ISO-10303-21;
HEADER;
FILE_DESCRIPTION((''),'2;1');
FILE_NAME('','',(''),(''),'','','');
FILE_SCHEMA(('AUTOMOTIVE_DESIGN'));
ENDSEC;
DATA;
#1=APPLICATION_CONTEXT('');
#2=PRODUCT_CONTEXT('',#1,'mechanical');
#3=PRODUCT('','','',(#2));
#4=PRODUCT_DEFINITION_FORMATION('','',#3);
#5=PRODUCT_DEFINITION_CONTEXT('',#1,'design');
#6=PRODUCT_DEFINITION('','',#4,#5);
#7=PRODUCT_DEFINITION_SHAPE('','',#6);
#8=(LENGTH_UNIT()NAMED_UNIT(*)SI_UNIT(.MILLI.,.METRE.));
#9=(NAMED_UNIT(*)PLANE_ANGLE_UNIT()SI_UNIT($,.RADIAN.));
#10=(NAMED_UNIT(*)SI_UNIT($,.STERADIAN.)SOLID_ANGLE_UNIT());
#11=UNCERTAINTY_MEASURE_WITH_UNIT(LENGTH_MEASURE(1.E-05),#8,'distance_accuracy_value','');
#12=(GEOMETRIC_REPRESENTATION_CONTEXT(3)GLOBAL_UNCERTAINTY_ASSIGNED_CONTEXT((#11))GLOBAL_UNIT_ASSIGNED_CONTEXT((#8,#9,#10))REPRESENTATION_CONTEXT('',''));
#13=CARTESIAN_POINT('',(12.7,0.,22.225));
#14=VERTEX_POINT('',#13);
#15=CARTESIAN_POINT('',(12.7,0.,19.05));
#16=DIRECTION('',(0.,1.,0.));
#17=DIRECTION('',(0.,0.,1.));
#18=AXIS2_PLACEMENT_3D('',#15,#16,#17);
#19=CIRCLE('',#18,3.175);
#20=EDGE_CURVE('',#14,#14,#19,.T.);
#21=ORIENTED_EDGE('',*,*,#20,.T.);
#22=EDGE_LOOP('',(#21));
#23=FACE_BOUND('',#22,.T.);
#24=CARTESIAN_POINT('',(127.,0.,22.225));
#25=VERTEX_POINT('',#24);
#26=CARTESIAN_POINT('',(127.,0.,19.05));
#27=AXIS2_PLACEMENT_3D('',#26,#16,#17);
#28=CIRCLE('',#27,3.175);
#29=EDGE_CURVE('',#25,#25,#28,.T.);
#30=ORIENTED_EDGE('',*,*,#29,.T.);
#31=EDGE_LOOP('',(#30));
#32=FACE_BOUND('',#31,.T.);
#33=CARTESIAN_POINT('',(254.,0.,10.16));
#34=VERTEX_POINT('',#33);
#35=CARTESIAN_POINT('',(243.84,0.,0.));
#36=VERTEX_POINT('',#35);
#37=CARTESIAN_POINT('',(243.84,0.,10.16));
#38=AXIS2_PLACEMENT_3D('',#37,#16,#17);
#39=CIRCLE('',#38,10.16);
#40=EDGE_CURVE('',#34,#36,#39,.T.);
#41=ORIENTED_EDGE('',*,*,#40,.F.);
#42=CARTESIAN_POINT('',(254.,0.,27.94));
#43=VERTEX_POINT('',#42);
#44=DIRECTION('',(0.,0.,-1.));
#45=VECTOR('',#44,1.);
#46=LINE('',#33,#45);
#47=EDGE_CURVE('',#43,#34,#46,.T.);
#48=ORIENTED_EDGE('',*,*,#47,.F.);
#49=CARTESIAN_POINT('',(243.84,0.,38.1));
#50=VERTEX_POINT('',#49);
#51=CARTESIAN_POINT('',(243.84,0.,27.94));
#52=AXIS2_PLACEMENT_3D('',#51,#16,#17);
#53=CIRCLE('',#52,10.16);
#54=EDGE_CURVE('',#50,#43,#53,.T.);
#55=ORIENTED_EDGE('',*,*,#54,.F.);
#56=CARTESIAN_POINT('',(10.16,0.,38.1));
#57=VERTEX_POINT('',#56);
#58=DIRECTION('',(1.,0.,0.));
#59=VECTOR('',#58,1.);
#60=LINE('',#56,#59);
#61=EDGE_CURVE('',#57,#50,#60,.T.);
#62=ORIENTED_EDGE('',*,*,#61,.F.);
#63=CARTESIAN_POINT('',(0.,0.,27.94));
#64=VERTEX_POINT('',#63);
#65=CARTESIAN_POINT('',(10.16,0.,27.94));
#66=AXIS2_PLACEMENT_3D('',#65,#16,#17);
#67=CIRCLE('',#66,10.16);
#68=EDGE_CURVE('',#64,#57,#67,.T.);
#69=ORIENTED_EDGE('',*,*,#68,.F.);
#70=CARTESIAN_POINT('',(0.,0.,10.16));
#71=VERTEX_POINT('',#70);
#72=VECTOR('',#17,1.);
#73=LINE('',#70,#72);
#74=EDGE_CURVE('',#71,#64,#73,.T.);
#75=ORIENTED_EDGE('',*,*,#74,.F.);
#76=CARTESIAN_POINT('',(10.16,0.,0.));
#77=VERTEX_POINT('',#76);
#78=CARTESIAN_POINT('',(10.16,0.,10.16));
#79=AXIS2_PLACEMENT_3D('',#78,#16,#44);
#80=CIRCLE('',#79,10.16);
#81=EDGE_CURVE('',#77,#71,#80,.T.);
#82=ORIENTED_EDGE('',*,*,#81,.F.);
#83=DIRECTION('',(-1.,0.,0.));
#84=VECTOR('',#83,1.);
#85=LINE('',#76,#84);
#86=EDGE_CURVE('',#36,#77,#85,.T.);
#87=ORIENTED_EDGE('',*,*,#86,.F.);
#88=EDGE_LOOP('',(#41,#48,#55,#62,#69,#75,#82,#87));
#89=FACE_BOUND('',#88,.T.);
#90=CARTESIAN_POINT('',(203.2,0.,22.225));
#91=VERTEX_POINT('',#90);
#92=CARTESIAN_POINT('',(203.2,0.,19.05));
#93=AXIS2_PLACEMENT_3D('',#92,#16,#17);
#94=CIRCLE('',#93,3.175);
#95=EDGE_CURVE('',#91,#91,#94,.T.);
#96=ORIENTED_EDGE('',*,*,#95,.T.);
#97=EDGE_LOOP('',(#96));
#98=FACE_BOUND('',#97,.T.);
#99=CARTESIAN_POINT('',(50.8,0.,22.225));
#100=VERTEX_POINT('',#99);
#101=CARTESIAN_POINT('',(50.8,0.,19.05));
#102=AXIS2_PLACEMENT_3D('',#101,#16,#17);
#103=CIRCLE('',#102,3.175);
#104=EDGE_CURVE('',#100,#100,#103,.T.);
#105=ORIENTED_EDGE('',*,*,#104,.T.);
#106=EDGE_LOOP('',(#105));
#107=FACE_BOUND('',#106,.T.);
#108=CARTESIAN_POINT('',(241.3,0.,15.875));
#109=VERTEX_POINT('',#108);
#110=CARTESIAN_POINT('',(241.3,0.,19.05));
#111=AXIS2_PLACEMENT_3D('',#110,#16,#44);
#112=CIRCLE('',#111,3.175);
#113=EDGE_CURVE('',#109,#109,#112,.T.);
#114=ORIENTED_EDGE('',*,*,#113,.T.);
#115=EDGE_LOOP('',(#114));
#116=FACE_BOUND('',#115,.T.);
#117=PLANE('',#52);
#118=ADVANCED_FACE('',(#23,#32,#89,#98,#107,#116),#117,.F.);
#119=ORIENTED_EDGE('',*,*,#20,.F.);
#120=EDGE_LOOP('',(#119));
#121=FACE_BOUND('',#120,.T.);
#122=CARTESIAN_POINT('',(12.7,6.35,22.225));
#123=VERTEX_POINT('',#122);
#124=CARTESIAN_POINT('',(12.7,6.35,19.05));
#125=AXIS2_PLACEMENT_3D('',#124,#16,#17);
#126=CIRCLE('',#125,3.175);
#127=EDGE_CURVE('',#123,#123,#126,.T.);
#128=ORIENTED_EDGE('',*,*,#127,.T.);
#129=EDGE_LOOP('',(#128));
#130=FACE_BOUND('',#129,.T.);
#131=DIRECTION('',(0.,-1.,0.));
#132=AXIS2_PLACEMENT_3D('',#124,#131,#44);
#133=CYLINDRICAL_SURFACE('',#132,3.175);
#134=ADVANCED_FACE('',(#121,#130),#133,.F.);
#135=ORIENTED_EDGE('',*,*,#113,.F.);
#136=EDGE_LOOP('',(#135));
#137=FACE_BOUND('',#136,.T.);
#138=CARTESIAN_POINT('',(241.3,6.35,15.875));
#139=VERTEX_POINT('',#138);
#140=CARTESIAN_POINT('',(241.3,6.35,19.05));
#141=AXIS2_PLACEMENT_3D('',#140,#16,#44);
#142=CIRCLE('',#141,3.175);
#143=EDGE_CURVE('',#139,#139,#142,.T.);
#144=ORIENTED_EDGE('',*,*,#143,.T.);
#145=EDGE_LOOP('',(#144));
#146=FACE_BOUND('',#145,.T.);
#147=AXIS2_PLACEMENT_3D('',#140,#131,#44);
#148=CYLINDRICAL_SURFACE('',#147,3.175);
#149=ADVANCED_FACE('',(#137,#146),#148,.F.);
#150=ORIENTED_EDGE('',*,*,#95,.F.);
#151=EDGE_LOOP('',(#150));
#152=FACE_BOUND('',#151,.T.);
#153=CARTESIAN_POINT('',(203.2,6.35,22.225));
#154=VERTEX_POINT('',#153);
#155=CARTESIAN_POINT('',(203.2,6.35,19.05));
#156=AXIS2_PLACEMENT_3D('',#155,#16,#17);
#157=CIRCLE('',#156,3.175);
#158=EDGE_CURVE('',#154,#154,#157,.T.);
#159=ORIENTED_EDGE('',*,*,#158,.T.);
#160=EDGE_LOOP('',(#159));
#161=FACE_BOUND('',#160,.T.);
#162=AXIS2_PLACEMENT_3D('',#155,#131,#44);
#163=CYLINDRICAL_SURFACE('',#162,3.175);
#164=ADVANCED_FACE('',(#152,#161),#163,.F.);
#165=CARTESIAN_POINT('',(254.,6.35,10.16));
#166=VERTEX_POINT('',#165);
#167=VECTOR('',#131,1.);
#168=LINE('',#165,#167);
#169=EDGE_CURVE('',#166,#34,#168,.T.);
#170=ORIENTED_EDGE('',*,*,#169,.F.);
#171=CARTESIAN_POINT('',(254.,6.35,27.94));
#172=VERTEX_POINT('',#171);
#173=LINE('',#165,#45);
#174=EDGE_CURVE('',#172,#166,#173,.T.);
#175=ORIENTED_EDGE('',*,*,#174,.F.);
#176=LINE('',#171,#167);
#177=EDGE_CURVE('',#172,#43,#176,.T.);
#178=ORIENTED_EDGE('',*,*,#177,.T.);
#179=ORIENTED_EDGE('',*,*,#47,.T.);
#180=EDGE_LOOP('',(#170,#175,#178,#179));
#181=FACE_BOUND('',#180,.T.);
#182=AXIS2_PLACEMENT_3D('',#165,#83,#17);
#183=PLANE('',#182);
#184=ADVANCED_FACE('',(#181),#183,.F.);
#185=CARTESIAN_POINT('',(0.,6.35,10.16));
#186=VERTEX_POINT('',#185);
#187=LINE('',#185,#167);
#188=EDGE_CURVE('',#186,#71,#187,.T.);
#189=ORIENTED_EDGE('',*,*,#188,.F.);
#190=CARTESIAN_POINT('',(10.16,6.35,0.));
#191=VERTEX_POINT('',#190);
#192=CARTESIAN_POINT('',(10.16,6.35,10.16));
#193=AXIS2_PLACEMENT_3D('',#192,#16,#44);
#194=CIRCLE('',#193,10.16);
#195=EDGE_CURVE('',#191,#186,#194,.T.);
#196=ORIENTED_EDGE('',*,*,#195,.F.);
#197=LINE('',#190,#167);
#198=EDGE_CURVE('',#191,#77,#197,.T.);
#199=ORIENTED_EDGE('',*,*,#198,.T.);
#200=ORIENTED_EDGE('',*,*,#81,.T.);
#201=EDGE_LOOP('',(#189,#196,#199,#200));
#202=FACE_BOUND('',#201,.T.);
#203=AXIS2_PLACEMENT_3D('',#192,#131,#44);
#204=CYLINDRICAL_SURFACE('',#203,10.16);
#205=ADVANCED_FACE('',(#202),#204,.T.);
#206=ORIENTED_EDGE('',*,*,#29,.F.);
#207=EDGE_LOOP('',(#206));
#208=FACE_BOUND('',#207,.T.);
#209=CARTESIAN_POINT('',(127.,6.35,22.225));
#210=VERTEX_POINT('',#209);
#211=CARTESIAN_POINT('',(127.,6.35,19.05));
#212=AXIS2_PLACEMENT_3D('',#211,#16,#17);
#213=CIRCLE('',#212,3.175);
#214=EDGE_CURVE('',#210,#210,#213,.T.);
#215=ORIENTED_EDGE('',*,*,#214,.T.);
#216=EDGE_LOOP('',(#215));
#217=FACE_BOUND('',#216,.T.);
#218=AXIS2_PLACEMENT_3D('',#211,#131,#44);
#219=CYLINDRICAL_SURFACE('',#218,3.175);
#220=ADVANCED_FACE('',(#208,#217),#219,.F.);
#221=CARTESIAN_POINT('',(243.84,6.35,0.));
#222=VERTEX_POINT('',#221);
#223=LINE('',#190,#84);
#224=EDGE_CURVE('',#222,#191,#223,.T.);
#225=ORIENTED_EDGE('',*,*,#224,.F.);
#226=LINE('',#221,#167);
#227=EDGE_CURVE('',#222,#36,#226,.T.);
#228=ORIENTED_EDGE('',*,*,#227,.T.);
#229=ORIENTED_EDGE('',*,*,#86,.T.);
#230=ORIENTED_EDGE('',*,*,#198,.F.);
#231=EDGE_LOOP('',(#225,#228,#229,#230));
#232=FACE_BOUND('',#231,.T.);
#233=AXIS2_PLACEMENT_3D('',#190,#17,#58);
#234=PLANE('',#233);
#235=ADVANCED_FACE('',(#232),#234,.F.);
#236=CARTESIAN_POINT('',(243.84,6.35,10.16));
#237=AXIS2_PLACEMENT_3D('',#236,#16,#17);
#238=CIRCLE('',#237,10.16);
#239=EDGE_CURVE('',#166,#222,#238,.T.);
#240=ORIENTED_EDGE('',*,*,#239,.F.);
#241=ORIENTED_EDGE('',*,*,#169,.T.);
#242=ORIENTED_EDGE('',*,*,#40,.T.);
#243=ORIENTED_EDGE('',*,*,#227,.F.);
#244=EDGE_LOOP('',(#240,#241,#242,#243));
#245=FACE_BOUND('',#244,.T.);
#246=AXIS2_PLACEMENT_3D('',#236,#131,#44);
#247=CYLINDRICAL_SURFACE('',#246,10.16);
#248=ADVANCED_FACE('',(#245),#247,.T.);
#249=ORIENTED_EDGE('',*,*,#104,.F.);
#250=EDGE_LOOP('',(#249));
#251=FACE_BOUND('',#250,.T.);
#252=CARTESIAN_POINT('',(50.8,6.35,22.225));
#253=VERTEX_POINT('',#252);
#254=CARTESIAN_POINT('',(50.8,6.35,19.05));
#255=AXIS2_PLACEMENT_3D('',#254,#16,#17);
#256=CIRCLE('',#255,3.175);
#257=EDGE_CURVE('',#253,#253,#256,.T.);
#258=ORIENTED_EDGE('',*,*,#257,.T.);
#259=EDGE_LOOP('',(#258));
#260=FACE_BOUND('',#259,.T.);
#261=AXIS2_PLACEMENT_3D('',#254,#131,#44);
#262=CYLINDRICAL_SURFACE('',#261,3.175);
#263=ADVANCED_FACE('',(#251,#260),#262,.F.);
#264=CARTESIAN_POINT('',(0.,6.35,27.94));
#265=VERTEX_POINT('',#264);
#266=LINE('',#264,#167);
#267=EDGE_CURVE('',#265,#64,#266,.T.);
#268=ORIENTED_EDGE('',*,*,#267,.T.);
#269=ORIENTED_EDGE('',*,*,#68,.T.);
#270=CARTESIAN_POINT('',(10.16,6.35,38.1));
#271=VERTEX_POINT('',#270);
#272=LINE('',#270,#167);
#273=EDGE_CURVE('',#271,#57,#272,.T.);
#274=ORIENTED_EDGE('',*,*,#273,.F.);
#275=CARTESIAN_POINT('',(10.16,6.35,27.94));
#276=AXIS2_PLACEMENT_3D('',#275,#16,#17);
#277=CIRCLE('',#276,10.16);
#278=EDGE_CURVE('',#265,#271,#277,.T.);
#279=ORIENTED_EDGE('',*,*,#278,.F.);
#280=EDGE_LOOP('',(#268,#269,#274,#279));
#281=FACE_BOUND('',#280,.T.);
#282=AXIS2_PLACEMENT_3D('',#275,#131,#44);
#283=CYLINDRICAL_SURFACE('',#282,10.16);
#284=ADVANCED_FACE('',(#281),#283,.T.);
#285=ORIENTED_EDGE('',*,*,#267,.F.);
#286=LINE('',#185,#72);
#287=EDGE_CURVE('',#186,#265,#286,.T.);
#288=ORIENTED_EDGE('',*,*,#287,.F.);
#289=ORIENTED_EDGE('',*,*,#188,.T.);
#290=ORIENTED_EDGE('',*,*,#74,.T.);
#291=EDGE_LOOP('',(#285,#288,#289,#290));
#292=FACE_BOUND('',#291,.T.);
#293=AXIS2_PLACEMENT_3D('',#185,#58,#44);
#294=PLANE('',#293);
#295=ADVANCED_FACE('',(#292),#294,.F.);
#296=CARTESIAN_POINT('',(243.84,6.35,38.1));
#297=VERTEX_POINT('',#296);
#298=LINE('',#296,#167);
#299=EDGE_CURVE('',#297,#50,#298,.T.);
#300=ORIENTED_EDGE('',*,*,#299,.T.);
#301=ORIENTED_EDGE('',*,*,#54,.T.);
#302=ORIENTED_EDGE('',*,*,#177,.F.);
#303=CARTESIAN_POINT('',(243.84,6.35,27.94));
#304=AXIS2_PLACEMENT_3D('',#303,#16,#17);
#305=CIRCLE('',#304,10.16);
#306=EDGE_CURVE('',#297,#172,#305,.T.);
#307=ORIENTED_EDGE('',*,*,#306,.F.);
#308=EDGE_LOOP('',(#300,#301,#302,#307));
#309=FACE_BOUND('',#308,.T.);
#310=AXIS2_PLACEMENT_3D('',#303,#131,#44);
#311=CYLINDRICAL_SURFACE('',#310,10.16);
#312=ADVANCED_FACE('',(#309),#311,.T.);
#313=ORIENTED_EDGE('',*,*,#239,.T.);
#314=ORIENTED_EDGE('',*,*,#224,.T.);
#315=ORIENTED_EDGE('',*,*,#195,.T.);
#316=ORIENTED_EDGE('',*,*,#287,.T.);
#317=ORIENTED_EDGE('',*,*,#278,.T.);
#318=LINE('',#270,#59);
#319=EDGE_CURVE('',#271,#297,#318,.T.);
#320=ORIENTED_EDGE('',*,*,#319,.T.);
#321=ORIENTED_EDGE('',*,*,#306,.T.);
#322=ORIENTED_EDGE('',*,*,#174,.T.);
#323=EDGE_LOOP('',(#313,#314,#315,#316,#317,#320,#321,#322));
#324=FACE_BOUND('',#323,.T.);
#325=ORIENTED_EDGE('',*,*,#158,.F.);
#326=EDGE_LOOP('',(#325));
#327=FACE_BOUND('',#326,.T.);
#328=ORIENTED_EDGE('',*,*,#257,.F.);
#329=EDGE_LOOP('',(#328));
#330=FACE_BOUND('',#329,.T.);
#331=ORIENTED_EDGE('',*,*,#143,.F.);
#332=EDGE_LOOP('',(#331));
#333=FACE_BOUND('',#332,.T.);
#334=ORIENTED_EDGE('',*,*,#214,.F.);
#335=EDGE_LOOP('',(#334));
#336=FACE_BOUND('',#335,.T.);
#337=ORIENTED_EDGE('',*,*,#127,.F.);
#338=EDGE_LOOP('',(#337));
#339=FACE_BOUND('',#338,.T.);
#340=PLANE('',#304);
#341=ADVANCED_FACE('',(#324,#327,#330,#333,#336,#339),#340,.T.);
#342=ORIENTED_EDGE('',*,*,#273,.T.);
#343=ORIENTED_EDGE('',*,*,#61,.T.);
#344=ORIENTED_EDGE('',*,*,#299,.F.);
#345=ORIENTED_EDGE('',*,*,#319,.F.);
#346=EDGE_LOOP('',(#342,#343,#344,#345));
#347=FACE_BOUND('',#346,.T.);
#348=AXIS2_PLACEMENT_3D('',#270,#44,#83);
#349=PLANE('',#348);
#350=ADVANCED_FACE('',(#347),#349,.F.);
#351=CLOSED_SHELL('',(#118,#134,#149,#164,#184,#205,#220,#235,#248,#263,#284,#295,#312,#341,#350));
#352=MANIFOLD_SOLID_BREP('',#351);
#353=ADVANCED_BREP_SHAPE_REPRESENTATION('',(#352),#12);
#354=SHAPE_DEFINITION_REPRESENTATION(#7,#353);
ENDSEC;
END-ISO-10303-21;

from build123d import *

# Parameters (mm, degrees)
SKETCH2_R           = 3.175
BOSS_EXTRUDE1_DEPTH = 6.35


with BuildPart() as part:
    # Sketch2 → Boss-Extrude1 (new body)
    with BuildSketch(Plane(origin=(0, 0, 0), x_dir=(1, 0, 0), z_dir=(0, 1, 0))):
        with BuildLine():
            Line((10.16, 0), (243.84, 0))
            ThreePointArc((243.84, 0), (251.024204897, -2.975795103), (254, -10.16))
            Line((254, -10.16), (254, -27.94))
            ThreePointArc((254, -27.94), (251.024204897, -35.124204897), (243.84, -38.1))
            Line((243.84, -38.1), (10.16, -38.1))
            ThreePointArc((10.16, -38.1), (2.975795103, -35.124204897), (0, -27.94))
            Line((0, -27.94), (0, -10.16))
            ThreePointArc((0, -10.16), (2.975795103, -2.975795103), (10.16, 0))
        make_face()
        with Locations(Location((12.7, -19.05, 0), (0, 0, 270))):
            Circle(SKETCH2_R, mode=Mode.SUBTRACT)
        with Locations(Location((241.3, -19.05, 0), (0, 0, 90))):
            Circle(SKETCH2_R, mode=Mode.SUBTRACT)
        with Locations(Location((50.8, -19.05, 0), (0, 0, 270))):
            Circle(SKETCH2_R, mode=Mode.SUBTRACT)
        with Locations(Location((127, -19.05, 0), (0, 0, 270))):
            Circle(SKETCH2_R, mode=Mode.SUBTRACT)
        with Locations(Location((203.2, -19.05, 0), (0, 0, 270))):
            Circle(SKETCH2_R, mode=Mode.SUBTRACT)
    extrude(amount=BOSS_EXTRUDE1_DEPTH)


solid = part.part
